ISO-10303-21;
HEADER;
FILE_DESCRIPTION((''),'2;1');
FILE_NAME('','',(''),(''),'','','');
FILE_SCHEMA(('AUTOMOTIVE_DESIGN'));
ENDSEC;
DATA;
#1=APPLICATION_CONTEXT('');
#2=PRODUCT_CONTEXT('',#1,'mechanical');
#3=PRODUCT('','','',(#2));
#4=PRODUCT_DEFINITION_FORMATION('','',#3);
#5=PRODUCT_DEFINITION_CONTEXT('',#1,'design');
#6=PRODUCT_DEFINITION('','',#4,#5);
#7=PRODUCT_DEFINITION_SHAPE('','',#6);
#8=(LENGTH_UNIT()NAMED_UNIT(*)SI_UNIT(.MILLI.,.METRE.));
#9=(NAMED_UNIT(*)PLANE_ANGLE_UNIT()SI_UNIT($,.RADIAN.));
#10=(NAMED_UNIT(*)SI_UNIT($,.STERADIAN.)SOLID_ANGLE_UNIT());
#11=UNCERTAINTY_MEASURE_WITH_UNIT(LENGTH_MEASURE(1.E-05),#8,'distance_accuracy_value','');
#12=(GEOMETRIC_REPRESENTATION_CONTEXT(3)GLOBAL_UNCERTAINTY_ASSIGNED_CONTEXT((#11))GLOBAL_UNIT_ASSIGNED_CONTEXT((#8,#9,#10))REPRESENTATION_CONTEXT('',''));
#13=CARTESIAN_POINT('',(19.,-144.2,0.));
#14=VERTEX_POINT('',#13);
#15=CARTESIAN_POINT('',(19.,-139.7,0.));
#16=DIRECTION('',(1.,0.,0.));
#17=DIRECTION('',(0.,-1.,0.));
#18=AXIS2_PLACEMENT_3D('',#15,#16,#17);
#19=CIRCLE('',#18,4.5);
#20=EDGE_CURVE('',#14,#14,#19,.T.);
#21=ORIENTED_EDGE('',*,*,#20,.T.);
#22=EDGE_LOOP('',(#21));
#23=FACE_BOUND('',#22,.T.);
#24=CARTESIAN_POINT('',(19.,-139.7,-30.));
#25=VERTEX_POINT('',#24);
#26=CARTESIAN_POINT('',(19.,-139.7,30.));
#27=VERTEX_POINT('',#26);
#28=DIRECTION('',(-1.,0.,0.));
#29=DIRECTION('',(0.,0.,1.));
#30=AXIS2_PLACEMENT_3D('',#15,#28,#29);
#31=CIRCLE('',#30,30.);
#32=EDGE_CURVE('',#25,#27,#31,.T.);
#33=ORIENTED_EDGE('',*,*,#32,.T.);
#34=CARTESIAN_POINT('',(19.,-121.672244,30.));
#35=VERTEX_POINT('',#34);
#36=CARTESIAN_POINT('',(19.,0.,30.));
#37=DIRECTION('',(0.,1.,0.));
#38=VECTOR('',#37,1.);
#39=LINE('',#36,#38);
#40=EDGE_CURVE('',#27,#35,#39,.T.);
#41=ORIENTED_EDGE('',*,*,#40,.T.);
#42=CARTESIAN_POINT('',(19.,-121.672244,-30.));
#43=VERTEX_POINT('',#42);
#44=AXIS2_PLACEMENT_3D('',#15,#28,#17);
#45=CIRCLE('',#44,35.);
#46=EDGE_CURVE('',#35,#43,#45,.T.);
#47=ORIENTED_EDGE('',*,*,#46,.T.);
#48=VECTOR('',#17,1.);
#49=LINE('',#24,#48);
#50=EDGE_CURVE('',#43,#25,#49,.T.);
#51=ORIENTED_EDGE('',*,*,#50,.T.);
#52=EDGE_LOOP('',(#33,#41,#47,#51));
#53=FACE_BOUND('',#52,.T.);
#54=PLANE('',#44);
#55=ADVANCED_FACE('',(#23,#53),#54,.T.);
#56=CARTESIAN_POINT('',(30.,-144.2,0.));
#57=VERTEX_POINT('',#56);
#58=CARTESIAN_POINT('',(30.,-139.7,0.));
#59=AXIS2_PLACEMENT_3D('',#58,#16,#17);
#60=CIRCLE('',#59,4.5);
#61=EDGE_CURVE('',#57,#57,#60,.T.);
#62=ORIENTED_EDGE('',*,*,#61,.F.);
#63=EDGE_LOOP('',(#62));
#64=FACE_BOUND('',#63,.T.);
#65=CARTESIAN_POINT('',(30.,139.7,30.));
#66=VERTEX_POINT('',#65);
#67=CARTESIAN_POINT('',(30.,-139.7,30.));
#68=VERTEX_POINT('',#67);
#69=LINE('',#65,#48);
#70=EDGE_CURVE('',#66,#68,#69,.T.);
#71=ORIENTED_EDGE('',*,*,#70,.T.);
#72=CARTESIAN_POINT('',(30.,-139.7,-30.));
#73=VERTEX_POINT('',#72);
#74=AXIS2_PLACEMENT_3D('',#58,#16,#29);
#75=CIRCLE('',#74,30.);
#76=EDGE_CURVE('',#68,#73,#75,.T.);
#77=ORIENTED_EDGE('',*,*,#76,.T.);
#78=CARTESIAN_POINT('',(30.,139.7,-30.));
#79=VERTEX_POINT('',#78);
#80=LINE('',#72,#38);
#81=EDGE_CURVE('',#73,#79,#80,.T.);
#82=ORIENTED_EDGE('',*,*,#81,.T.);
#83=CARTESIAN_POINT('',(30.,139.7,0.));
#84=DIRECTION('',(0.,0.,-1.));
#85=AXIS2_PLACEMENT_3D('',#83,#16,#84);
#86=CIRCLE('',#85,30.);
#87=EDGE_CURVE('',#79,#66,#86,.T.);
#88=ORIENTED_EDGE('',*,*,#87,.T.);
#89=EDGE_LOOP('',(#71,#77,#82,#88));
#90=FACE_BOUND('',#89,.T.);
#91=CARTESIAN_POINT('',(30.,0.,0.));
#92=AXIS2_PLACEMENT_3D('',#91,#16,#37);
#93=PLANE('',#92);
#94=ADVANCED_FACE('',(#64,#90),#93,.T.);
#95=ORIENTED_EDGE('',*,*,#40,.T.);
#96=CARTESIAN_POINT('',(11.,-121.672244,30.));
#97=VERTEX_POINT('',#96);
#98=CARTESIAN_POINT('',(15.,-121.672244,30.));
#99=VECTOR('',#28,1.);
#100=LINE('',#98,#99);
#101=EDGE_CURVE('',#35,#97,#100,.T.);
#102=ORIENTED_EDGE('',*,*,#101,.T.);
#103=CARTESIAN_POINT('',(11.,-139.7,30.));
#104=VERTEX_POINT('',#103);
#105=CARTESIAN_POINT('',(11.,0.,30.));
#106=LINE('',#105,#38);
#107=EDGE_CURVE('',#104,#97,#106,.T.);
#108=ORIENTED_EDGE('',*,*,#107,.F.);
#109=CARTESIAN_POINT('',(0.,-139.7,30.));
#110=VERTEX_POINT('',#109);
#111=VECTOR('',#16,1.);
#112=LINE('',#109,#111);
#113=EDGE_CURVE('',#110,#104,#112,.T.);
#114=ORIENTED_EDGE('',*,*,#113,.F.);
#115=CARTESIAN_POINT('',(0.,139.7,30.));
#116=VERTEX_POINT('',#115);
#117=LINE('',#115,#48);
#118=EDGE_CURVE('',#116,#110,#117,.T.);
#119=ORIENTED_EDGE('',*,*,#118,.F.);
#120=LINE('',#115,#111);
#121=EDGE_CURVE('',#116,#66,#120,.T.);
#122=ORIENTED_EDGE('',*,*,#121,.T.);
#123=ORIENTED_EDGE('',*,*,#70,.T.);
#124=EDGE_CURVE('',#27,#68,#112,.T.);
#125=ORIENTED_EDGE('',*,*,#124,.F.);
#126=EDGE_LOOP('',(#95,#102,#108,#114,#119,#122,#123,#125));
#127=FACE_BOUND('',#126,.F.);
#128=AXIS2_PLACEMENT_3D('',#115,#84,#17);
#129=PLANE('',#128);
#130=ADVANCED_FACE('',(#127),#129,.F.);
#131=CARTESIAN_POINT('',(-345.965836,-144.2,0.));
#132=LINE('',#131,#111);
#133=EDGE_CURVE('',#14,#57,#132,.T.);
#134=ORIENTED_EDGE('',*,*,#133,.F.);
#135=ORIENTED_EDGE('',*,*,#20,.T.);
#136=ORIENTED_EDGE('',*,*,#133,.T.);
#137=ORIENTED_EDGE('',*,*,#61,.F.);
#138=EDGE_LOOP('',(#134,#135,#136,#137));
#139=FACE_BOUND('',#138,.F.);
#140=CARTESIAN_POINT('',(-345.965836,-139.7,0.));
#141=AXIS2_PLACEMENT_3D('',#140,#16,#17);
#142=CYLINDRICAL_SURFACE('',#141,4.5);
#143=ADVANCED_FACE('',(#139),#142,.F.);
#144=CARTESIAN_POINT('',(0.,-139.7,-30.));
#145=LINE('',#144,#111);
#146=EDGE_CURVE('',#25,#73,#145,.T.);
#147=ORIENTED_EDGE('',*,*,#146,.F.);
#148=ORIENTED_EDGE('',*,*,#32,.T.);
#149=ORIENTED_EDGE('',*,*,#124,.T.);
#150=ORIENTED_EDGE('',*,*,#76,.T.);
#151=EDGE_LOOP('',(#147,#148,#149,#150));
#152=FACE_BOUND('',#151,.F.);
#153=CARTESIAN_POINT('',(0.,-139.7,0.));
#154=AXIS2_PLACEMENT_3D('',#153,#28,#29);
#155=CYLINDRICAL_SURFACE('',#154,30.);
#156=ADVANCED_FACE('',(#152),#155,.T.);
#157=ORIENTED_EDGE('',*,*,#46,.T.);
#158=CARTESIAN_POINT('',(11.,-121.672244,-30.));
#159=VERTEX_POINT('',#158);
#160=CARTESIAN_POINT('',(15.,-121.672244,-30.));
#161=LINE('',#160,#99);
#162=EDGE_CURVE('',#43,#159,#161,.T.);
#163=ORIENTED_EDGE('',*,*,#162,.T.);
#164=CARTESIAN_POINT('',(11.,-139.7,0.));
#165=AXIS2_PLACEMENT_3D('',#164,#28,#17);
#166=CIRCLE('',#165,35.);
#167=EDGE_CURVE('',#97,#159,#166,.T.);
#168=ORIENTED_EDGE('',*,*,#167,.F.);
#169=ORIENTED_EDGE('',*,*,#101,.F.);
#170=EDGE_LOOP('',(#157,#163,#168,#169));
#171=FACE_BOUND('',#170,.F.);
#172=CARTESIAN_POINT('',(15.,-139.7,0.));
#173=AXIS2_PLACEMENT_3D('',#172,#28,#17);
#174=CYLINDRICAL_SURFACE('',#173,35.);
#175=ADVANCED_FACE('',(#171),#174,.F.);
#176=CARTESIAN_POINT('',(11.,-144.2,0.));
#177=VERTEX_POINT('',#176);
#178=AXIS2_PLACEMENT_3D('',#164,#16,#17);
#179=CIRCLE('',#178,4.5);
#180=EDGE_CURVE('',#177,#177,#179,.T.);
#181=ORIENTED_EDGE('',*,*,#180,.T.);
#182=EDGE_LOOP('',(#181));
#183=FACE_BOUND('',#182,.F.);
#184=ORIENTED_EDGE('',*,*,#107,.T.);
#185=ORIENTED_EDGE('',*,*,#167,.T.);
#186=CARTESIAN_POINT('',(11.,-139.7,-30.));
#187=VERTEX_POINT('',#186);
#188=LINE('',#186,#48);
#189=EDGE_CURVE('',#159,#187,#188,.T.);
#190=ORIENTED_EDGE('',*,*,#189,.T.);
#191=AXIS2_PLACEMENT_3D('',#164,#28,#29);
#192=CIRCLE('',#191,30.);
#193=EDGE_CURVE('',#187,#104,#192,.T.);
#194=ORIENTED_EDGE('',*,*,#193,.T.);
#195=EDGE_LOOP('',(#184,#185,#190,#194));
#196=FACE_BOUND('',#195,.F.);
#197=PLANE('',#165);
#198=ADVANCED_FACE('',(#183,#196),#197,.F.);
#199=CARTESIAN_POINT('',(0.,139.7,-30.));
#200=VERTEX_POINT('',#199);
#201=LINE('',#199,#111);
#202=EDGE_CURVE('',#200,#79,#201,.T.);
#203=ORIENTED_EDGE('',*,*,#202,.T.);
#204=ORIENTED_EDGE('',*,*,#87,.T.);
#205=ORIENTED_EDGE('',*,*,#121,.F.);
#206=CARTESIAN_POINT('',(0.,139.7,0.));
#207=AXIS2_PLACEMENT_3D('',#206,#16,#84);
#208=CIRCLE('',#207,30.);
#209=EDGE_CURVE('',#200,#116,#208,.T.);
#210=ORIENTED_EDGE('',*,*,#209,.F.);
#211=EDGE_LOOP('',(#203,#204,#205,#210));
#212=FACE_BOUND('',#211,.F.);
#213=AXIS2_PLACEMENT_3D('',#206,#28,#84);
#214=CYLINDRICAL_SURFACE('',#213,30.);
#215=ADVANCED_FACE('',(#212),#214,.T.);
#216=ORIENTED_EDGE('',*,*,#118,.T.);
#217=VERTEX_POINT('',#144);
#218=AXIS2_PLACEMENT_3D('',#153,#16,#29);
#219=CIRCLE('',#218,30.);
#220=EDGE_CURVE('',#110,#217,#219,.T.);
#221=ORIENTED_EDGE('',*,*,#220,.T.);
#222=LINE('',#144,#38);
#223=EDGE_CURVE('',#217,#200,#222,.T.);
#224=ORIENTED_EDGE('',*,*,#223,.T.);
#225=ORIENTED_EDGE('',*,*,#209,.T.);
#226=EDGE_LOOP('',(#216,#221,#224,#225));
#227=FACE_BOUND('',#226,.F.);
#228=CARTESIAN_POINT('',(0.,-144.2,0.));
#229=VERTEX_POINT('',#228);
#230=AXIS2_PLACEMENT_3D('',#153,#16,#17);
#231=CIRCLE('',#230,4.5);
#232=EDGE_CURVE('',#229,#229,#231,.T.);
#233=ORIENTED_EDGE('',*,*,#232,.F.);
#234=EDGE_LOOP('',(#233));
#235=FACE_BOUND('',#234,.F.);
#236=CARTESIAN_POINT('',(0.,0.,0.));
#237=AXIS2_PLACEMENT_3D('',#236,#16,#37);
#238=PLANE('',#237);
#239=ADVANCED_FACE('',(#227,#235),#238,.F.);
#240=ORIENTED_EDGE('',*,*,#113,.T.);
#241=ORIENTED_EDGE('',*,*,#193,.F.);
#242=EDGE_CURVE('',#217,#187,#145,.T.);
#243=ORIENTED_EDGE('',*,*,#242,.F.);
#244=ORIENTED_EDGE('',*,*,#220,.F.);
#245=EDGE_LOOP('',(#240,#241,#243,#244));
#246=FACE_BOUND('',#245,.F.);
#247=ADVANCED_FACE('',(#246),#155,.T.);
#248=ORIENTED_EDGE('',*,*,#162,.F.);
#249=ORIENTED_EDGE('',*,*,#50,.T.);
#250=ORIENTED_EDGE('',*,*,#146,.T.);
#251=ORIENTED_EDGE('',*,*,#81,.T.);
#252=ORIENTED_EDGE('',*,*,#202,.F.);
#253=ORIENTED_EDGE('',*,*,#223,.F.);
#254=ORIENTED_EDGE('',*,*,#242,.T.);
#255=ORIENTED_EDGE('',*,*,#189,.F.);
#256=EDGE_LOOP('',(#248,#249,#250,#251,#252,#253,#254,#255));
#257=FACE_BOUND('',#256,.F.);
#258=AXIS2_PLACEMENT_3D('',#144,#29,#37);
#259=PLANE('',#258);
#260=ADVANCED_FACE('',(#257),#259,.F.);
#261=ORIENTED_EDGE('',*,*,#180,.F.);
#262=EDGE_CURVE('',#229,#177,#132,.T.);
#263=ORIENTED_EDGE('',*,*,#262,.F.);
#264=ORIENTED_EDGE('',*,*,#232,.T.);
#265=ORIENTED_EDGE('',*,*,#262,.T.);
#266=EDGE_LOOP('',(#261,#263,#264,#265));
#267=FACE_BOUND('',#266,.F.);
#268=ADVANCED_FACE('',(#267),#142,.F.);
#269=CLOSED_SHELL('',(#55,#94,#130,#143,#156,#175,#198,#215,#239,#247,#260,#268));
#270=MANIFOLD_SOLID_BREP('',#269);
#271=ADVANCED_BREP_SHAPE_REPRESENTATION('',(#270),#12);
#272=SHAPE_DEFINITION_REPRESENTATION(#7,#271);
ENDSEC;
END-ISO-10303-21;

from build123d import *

# Parameters (mm, degrees)
F1_DEPTH = 30
F3_R     = 35
F4_DEPTH = 4
F5_D     = 9


with BuildPart() as f1:
    # F0 (on Right) → F1 (new body)
    with BuildSketch(Plane.YZ):
        with BuildLine():
            ThreePointArc((139.7, -30), (169.7, 0), (139.7, 30))
            Line((139.7, 30), (-139.7, 30))
            ThreePointArc((-139.7, 30), (-169.7, 0), (-139.7, -30))
            Line((-139.7, -30), (139.7, -30))
        make_face()
    extrude(amount=F1_DEPTH)

    # F3 (on mid) → F4 (cut, symmetric)
    with BuildSketch(Plane(origin=(15, 0, 0), x_dir=(0, -1, 0), z_dir=(-1, 0, 0))):
        with Locations((139.7, 0)):
            Circle(F3_R)
    extrude(amount=F4_DEPTH, both=True, mode=Mode.SUBTRACT)

    # F5 (through all)
    with Locations(Plane(origin=(0, 0, 0), x_dir=(0, 1, 0), z_dir=(-1, 0, 0))):
        with Locations((-139.7, 0)):
            Hole(F5_D / 2)


solid = f1.part
